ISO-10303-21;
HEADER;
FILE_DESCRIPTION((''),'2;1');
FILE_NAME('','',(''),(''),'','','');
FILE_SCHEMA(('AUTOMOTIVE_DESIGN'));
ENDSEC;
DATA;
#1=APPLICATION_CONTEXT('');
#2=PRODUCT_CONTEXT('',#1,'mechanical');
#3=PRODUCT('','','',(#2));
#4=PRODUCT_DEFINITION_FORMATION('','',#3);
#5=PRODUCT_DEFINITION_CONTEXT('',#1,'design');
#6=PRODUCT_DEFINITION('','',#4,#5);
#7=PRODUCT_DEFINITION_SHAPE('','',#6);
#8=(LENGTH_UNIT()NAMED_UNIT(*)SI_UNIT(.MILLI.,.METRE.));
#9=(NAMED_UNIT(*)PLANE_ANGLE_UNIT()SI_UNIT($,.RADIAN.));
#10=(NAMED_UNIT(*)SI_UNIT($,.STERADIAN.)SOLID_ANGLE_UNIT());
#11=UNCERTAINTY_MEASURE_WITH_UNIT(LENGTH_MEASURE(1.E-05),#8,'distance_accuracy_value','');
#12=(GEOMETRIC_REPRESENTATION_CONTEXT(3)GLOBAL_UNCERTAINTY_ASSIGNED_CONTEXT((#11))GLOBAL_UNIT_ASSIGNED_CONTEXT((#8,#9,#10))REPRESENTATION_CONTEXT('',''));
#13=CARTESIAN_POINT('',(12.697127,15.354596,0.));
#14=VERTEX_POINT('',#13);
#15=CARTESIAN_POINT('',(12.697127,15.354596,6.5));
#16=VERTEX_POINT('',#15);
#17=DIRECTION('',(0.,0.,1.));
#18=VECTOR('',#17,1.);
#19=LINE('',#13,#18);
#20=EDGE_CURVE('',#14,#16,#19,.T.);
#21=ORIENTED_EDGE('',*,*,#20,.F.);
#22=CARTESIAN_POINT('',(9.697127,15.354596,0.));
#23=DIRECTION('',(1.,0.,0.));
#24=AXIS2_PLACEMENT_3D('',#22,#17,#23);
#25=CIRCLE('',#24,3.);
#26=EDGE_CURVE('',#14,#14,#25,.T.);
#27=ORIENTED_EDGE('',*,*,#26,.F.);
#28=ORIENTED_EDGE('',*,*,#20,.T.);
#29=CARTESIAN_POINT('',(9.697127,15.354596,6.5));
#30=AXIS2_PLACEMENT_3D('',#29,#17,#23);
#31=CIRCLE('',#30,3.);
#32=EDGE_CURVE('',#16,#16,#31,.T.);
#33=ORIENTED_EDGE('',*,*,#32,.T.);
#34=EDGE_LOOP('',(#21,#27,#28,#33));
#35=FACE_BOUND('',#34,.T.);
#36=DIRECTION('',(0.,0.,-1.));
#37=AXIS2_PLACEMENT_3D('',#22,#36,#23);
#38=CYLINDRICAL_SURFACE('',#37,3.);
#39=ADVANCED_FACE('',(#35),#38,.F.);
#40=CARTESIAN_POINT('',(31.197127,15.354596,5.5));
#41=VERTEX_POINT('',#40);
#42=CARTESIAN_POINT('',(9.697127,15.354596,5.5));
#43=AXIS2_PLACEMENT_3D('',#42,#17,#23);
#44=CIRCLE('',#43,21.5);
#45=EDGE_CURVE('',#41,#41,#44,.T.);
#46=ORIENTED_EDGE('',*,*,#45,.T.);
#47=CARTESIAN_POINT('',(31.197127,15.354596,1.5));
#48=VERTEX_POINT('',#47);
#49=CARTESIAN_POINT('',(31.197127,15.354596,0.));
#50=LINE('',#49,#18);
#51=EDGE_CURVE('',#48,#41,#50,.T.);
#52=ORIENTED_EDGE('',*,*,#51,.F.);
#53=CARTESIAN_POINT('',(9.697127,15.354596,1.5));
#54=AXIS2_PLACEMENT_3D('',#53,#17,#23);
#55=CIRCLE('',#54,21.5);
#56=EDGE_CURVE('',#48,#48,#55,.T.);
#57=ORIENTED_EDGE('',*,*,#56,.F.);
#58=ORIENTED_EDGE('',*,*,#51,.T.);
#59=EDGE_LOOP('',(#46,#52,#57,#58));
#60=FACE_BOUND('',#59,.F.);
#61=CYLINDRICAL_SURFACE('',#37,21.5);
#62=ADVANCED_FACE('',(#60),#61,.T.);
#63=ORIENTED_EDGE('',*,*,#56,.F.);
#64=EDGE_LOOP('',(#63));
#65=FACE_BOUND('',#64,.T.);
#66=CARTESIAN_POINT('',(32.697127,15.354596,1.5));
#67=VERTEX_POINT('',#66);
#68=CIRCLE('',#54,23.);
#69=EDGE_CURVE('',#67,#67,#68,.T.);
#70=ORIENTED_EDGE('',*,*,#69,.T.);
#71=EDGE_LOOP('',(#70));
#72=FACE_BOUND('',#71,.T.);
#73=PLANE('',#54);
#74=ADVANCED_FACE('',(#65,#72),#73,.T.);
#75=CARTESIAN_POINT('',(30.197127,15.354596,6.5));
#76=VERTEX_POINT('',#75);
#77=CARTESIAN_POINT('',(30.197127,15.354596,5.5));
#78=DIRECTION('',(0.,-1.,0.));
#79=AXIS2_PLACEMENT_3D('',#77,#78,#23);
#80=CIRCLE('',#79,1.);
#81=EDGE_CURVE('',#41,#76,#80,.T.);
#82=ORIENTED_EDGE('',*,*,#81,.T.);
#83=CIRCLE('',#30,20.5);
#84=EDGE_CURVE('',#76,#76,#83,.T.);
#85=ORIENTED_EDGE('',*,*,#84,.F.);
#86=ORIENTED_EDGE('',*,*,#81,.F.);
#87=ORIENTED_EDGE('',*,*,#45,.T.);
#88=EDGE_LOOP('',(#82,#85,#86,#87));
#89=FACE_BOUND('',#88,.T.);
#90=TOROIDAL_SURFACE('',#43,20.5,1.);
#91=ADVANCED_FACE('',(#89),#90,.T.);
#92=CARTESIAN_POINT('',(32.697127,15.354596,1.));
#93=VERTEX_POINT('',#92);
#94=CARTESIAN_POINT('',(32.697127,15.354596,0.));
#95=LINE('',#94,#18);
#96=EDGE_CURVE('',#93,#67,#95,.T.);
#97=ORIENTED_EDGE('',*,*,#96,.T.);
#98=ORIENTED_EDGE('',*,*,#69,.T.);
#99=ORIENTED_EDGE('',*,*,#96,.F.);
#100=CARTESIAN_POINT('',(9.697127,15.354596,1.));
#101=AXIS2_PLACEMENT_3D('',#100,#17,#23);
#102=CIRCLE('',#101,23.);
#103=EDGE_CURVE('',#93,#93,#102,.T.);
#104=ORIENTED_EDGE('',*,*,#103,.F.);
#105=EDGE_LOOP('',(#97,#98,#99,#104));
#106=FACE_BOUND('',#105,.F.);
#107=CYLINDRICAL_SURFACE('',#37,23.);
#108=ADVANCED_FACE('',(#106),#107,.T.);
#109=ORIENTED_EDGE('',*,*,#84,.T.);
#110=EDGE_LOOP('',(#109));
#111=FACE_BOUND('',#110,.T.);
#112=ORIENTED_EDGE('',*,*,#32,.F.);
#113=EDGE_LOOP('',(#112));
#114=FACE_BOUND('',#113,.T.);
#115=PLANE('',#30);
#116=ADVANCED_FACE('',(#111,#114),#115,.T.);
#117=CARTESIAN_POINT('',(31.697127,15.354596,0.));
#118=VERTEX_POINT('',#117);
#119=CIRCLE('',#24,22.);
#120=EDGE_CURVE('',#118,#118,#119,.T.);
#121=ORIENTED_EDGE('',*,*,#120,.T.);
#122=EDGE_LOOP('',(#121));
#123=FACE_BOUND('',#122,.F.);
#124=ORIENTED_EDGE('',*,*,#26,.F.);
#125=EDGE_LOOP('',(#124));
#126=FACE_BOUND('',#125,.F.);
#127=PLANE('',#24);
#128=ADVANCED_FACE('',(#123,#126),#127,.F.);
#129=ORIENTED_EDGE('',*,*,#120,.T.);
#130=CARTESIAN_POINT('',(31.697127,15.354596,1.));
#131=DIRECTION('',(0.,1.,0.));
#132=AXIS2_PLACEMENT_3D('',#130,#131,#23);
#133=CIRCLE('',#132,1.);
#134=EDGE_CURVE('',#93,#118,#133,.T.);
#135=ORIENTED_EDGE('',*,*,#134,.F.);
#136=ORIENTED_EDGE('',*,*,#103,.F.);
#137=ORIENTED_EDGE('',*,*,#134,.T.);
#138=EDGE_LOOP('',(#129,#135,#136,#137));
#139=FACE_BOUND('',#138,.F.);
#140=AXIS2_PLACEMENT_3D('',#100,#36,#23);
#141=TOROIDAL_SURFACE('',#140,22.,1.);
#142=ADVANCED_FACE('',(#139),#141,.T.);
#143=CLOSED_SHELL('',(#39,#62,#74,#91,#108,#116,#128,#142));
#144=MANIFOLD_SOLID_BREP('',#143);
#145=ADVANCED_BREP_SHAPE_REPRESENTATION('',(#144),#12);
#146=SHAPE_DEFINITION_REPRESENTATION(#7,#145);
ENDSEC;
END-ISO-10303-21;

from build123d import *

# Parameters (mm, degrees)
F0_R     = 23
F0_R_2   = 21.5
F1_DEPTH = 1.5
F0_R_3   = 3
F2_DEPTH = 6.5
F3_R     = 1
F4_R     = 1


with BuildPart() as f1:
    # F0 (on Top) → F1 (new body)
    with BuildSketch(Plane.XY):
        with Locations((9.697127, 15.354596)):
            Circle(F0_R)
        with Locations((9.697127, 15.354596)):
            Circle(F0_R_2, mode=Mode.SUBTRACT)
    extrude(amount=F1_DEPTH)

    # F0 (on Top) → F2 (join)
    with BuildSketch(Plane.XY):
        with Locations((9.697127, 15.354596)):
            Circle(F0_R_2)
        with Locations((9.697127, 15.354596)):
            Circle(F0_R_3, mode=Mode.SUBTRACT)
    extrude(amount=F2_DEPTH)

    # F3
    f3_edges = [f1.edges().sort_by_distance(p)[0] for p in [
        (-11.802873, 15.354596, 6.5),
    ]]
    fillet(f3_edges, radius=F3_R)

    # F4
    f4_edges = [f1.edges().sort_by_distance(p)[0] for p in [
        (-13.302873, 15.354596, 0),
    ]]
    fillet(f4_edges, radius=F4_R)


solid = f1.part
